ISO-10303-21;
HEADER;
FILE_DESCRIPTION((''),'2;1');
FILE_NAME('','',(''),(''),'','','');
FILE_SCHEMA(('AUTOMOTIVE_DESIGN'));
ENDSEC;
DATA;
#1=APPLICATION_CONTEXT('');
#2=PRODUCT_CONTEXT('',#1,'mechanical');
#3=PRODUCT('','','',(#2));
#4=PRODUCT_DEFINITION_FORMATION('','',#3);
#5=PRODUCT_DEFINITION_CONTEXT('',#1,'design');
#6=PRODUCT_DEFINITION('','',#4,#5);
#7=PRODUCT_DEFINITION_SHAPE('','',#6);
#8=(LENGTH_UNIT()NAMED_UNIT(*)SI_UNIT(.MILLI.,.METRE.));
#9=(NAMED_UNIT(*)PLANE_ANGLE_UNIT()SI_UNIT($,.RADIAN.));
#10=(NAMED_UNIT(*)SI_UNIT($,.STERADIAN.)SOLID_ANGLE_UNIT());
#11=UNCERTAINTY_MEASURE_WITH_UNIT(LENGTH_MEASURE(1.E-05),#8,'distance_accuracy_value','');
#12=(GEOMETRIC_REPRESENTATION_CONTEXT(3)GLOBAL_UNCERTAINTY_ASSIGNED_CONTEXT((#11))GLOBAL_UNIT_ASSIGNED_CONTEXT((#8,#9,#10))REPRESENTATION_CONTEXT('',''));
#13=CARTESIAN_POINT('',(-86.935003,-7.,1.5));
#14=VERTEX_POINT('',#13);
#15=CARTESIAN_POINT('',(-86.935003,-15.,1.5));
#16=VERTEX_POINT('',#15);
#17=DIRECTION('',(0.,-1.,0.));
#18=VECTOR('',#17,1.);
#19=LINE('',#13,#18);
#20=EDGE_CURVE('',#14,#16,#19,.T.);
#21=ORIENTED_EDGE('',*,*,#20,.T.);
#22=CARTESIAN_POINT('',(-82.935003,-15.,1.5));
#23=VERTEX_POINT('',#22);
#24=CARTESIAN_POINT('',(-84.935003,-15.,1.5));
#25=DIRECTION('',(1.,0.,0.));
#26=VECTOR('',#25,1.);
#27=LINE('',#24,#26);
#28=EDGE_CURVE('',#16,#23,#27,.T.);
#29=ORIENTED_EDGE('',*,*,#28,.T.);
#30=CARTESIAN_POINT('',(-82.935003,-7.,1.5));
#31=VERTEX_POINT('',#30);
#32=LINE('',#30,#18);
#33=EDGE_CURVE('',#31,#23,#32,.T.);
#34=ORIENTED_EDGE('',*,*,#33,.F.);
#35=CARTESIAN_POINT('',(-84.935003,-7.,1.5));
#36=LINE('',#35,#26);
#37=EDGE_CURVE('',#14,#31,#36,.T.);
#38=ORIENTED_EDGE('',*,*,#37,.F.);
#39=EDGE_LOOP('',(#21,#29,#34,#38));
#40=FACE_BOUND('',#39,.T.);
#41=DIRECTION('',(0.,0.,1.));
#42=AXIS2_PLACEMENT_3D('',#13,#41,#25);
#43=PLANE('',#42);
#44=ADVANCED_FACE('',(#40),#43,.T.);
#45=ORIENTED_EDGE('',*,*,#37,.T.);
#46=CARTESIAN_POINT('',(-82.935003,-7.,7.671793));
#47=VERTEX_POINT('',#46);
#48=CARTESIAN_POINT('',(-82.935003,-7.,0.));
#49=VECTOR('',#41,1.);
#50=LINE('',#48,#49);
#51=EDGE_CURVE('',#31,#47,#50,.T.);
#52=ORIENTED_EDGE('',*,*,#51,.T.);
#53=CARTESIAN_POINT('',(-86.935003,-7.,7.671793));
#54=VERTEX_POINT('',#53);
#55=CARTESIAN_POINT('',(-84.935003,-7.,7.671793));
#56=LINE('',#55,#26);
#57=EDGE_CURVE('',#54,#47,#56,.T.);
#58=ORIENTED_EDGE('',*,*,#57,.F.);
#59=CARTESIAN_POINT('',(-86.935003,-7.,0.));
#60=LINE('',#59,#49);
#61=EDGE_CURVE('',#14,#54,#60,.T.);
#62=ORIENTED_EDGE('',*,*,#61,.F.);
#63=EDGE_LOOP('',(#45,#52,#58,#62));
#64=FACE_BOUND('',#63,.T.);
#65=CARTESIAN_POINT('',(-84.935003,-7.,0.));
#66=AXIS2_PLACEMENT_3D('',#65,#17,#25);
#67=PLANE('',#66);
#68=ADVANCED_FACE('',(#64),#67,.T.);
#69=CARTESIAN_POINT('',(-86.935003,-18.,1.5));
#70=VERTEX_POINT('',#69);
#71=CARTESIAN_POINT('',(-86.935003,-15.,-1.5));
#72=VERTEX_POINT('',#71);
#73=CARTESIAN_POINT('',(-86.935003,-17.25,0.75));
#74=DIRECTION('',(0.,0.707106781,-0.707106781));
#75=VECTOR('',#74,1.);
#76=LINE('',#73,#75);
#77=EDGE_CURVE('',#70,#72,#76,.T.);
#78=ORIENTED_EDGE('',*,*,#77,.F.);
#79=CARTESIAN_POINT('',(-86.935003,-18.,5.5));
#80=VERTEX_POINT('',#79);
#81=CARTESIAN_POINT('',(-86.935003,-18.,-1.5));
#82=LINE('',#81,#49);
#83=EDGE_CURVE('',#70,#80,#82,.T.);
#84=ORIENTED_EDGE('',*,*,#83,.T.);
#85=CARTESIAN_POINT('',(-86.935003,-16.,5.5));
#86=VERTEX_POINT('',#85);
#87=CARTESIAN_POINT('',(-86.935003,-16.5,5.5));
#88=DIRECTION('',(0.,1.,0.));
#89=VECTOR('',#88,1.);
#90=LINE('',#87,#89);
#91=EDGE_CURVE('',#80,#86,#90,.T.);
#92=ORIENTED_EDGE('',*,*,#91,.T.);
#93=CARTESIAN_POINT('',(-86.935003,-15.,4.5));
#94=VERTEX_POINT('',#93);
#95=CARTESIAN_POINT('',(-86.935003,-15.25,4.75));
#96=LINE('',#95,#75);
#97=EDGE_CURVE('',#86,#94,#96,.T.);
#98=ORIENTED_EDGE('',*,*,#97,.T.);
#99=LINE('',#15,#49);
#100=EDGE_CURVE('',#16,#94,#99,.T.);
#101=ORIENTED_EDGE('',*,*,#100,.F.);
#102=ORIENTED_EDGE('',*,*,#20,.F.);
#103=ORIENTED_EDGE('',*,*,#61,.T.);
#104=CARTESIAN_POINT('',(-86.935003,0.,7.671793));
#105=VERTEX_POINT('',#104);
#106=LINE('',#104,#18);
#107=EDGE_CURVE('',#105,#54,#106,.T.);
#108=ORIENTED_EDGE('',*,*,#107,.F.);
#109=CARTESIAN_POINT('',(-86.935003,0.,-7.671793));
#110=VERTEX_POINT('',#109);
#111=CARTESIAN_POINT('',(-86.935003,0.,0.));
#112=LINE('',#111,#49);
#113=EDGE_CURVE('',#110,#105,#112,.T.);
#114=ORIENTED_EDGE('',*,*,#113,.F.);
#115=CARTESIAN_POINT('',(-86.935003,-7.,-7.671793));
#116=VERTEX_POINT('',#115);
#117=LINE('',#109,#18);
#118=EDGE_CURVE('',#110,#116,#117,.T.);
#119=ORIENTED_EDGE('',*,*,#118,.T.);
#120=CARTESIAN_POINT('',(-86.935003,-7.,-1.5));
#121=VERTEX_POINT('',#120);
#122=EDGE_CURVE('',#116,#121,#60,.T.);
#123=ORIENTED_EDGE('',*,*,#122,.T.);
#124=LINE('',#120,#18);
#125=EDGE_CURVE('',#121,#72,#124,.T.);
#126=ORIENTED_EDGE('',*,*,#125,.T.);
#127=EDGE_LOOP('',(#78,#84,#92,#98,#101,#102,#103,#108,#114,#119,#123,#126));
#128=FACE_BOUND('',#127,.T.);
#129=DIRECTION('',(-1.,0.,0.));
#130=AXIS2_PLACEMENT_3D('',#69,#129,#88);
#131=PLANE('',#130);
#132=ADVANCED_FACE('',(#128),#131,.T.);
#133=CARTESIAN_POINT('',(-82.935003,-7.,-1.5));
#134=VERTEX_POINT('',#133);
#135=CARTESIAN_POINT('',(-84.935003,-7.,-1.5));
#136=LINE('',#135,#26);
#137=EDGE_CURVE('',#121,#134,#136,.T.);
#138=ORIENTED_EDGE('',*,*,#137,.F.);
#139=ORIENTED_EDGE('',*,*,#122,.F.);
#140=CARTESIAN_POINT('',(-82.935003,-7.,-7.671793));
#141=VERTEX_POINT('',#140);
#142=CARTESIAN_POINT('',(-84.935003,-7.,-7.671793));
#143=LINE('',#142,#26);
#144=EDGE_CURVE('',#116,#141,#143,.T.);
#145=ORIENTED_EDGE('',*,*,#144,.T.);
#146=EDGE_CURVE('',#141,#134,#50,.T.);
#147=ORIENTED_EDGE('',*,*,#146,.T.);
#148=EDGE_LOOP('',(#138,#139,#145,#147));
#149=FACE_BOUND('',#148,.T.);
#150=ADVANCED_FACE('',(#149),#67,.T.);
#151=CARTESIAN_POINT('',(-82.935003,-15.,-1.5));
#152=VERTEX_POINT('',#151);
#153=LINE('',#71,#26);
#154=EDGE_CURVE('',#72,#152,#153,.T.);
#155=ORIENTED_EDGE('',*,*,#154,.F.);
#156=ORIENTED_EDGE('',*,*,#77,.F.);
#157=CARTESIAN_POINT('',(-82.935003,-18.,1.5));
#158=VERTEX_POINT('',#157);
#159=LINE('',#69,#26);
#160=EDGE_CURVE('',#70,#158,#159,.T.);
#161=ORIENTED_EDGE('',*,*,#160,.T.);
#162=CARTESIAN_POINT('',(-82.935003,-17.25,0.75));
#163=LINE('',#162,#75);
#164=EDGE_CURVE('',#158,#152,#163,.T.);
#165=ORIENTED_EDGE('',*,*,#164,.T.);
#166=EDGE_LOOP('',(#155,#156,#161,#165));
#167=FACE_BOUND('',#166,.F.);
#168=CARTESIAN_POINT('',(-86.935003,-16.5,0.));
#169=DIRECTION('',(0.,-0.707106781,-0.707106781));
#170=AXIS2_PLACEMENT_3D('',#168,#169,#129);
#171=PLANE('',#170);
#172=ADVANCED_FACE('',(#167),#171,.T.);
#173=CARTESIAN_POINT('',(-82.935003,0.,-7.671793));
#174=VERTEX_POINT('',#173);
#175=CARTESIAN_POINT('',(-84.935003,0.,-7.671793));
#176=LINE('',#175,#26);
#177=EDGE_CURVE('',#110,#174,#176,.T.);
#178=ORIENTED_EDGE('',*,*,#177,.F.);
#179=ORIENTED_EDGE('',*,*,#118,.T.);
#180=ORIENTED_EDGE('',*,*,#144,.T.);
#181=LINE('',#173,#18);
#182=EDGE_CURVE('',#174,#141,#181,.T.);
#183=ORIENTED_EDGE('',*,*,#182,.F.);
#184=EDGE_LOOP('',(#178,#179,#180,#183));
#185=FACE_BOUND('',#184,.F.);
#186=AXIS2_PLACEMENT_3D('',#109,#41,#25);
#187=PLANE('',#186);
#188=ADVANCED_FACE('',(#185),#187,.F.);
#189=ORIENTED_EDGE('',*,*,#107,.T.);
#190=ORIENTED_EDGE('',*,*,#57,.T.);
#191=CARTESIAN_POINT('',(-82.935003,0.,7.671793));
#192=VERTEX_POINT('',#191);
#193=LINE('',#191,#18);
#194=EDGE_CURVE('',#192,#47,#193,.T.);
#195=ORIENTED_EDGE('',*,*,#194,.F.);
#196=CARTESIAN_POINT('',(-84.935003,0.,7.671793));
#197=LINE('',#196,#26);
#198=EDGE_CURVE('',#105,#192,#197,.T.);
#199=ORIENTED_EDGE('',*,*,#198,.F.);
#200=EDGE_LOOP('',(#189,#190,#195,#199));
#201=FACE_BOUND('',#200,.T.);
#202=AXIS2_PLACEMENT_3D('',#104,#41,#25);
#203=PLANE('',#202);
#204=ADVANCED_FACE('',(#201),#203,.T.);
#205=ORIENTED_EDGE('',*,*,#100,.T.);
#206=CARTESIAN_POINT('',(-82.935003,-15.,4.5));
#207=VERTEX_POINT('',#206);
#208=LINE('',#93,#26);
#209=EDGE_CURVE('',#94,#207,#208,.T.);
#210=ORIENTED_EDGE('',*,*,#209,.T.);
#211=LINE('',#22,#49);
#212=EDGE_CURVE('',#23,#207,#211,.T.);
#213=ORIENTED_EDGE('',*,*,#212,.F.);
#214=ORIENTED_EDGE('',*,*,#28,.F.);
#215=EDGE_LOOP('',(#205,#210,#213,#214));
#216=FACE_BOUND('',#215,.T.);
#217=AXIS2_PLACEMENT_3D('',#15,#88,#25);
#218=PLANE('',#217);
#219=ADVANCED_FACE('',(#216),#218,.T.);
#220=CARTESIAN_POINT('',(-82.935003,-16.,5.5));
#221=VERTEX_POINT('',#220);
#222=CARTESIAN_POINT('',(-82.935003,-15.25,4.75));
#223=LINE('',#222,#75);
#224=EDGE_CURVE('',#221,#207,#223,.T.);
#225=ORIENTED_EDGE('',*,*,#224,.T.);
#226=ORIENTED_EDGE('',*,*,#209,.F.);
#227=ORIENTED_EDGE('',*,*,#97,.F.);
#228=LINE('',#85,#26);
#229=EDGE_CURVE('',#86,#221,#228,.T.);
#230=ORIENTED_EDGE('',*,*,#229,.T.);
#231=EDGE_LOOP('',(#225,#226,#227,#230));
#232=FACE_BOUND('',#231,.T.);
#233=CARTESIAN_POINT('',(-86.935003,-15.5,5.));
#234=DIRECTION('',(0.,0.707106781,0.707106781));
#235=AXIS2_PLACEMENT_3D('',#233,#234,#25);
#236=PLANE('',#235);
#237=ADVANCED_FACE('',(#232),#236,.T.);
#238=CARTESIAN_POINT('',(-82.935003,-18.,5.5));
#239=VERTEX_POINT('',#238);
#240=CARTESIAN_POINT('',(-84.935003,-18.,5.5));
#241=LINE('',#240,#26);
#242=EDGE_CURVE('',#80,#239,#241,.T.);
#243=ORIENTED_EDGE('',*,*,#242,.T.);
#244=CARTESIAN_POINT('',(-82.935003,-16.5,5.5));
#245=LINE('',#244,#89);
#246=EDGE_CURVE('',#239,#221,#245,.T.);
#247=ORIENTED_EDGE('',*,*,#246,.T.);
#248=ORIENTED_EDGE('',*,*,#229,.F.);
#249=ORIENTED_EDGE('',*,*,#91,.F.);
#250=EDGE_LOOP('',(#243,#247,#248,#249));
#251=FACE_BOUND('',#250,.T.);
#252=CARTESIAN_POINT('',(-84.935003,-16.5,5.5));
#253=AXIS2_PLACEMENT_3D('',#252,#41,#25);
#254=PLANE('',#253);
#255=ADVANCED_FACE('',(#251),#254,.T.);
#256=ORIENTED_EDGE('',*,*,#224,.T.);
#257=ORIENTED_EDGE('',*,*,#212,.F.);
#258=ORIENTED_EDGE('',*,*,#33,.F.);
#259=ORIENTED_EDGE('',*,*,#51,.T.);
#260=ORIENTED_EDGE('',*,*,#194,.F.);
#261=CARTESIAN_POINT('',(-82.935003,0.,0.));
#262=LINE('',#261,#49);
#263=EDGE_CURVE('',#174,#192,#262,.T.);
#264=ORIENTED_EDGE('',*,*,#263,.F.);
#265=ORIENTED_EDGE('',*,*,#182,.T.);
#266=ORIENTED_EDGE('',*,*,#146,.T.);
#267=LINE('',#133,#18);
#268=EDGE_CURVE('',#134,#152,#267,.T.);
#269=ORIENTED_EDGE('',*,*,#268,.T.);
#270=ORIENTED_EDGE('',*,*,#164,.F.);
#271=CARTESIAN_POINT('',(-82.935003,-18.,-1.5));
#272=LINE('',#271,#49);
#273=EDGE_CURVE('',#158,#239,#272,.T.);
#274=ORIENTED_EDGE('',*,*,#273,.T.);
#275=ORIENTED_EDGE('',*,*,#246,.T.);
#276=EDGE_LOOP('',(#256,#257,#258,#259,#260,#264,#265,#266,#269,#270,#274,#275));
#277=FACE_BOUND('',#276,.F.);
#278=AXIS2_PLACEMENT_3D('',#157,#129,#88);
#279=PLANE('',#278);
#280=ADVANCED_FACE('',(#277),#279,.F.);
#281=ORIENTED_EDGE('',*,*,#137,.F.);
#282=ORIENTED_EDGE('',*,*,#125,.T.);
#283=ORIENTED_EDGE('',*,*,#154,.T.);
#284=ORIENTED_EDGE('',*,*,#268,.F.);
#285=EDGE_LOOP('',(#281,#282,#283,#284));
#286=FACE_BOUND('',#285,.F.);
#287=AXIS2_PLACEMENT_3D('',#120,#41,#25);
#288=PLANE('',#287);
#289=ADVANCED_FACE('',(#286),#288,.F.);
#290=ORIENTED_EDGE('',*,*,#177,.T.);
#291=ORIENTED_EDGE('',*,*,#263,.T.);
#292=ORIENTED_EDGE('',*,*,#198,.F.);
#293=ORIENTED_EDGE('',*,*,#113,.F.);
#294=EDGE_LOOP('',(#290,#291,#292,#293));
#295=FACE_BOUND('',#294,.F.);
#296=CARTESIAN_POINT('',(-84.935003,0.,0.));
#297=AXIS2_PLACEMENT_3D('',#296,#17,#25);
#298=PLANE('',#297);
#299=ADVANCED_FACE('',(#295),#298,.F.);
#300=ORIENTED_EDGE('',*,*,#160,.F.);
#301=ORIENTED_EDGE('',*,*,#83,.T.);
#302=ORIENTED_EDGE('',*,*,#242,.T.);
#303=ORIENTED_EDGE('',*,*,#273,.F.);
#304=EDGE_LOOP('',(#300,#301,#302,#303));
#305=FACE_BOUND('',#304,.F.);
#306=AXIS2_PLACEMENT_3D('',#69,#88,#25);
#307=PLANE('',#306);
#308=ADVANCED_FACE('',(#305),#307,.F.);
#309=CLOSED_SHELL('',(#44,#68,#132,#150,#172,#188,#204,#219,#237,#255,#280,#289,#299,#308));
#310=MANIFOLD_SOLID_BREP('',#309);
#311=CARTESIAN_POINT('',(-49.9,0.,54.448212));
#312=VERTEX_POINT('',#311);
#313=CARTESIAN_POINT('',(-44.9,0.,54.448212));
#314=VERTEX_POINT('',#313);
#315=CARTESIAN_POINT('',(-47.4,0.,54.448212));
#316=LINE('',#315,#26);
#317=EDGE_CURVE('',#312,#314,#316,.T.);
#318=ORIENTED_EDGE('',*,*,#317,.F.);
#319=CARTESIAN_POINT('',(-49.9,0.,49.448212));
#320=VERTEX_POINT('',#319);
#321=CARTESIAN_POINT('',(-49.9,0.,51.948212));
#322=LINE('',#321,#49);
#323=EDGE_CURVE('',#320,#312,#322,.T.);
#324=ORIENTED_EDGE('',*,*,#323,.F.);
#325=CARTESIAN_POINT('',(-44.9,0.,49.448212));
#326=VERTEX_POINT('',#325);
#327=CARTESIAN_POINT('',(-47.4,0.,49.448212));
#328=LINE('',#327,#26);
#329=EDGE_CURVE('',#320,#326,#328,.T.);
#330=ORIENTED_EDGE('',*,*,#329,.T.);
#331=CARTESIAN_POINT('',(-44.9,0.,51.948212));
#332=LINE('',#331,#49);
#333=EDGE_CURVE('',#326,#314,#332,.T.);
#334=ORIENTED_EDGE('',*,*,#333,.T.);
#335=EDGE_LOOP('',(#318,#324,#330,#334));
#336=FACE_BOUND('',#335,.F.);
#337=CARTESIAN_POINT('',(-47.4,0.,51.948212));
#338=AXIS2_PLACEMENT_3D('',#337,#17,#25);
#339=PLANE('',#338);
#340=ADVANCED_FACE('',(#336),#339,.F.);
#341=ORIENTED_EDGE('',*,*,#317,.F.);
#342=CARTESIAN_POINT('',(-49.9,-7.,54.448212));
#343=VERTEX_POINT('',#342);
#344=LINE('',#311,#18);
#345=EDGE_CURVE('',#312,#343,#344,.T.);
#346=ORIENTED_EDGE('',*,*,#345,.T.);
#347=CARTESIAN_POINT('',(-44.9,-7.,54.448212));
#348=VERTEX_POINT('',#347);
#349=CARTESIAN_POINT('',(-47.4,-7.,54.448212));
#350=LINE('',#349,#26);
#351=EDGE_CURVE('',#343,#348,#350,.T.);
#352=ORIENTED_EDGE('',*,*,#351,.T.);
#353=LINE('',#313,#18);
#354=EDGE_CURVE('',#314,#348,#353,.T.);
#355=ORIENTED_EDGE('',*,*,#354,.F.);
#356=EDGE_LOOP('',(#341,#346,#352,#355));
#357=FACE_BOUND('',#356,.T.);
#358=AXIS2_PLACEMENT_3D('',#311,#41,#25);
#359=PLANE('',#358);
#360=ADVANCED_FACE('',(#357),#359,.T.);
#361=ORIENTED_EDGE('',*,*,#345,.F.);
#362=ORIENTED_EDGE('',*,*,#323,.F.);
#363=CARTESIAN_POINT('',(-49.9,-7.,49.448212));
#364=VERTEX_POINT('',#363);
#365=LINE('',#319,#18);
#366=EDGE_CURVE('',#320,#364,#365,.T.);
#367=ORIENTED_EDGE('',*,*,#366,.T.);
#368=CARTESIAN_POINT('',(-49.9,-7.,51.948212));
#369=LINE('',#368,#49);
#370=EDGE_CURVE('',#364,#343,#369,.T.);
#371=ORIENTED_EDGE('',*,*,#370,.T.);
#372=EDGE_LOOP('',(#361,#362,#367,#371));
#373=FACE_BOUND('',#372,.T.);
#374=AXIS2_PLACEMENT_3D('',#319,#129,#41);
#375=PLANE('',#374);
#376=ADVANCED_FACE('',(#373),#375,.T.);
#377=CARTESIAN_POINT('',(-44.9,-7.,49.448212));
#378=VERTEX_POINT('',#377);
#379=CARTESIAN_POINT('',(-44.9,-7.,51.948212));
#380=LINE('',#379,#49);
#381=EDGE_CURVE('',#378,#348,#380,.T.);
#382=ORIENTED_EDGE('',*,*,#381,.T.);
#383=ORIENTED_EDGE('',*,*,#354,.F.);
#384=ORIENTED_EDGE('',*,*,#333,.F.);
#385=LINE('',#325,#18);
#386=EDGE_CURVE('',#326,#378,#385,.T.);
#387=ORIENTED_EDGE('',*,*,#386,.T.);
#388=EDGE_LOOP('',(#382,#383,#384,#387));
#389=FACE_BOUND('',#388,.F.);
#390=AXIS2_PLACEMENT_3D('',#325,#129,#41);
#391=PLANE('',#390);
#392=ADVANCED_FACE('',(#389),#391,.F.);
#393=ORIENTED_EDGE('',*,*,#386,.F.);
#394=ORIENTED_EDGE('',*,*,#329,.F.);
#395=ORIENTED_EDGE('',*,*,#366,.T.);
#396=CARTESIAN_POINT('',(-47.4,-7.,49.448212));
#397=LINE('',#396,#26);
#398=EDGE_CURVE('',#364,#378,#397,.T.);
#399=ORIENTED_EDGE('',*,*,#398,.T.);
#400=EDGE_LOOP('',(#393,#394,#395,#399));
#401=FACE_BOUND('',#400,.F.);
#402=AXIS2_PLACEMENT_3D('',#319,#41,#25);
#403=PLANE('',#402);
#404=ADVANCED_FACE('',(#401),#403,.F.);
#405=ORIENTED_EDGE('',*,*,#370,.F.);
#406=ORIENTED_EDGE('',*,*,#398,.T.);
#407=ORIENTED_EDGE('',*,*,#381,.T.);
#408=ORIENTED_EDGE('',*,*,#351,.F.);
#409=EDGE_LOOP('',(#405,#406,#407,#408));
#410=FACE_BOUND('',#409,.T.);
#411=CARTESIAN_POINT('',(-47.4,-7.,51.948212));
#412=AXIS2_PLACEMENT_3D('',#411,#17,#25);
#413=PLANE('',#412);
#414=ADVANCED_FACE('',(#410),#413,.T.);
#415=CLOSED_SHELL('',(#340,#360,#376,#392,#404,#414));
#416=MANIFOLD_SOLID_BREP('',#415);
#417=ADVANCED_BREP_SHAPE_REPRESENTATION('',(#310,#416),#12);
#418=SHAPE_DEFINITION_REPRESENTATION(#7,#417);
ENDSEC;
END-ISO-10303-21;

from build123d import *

# Parameters (mm, degrees)
F1_W      = 5
F1_H      = 5
F2_DEPTH  = 7
F5_W      = 4
F5_H      = 15.3435859829
F6_DEPTH  = 7
F7_W      = 4
F7_H      = 3
F8_DEPTH  = 11
F9_W      = 4
F9_H      = 3
F10_DEPTH = 4
F11_SIZE  = 3
F12_SIZE  = 1


with BuildPart() as f2:
    # F1 (on Front) → F2 (new body)
    with BuildSketch(Plane.XZ):
        with Locations((-47.4, 51.9482120872)):
            Rectangle(F1_W, F1_H)
    extrude(amount=F2_DEPTH)


with BuildPart() as f6:
    # F5 (on Front) → F6 (new body)
    with BuildSketch(Plane.XZ):
        with Locations((-84.9350026808, 0)):
            Rectangle(F5_W, F5_H)
    extrude(amount=F6_DEPTH)

    # F7 (on face) → F8 (join)
    with BuildSketch(Plane.XZ.offset(7)):
        with Locations((-84.9350026808, 0)):
            Rectangle(F7_W, F7_H)
    extrude(amount=F8_DEPTH)

    # F9 (on face) → F10 (join)
    with BuildSketch(Plane.XY.offset(1.5)):
        with Locations((-84.9350026808, -16.5)):
            Rectangle(F9_W, F9_H)
    extrude(amount=F10_DEPTH)

    # F11
    f11_edges = [f6.edges().sort_by_distance(p)[0] for p in [
        (-84.935003, -18, -1.5),
    ]]
    chamfer(f11_edges, length=F11_SIZE)

    # F12
    f12_edges = [f6.edges().sort_by_distance(p)[0] for p in [
        (-84.935003, -15, 5.5),
    ]]
    chamfer(f12_edges, length=F12_SIZE)


solid = Compound([f2.part, f6.part])
